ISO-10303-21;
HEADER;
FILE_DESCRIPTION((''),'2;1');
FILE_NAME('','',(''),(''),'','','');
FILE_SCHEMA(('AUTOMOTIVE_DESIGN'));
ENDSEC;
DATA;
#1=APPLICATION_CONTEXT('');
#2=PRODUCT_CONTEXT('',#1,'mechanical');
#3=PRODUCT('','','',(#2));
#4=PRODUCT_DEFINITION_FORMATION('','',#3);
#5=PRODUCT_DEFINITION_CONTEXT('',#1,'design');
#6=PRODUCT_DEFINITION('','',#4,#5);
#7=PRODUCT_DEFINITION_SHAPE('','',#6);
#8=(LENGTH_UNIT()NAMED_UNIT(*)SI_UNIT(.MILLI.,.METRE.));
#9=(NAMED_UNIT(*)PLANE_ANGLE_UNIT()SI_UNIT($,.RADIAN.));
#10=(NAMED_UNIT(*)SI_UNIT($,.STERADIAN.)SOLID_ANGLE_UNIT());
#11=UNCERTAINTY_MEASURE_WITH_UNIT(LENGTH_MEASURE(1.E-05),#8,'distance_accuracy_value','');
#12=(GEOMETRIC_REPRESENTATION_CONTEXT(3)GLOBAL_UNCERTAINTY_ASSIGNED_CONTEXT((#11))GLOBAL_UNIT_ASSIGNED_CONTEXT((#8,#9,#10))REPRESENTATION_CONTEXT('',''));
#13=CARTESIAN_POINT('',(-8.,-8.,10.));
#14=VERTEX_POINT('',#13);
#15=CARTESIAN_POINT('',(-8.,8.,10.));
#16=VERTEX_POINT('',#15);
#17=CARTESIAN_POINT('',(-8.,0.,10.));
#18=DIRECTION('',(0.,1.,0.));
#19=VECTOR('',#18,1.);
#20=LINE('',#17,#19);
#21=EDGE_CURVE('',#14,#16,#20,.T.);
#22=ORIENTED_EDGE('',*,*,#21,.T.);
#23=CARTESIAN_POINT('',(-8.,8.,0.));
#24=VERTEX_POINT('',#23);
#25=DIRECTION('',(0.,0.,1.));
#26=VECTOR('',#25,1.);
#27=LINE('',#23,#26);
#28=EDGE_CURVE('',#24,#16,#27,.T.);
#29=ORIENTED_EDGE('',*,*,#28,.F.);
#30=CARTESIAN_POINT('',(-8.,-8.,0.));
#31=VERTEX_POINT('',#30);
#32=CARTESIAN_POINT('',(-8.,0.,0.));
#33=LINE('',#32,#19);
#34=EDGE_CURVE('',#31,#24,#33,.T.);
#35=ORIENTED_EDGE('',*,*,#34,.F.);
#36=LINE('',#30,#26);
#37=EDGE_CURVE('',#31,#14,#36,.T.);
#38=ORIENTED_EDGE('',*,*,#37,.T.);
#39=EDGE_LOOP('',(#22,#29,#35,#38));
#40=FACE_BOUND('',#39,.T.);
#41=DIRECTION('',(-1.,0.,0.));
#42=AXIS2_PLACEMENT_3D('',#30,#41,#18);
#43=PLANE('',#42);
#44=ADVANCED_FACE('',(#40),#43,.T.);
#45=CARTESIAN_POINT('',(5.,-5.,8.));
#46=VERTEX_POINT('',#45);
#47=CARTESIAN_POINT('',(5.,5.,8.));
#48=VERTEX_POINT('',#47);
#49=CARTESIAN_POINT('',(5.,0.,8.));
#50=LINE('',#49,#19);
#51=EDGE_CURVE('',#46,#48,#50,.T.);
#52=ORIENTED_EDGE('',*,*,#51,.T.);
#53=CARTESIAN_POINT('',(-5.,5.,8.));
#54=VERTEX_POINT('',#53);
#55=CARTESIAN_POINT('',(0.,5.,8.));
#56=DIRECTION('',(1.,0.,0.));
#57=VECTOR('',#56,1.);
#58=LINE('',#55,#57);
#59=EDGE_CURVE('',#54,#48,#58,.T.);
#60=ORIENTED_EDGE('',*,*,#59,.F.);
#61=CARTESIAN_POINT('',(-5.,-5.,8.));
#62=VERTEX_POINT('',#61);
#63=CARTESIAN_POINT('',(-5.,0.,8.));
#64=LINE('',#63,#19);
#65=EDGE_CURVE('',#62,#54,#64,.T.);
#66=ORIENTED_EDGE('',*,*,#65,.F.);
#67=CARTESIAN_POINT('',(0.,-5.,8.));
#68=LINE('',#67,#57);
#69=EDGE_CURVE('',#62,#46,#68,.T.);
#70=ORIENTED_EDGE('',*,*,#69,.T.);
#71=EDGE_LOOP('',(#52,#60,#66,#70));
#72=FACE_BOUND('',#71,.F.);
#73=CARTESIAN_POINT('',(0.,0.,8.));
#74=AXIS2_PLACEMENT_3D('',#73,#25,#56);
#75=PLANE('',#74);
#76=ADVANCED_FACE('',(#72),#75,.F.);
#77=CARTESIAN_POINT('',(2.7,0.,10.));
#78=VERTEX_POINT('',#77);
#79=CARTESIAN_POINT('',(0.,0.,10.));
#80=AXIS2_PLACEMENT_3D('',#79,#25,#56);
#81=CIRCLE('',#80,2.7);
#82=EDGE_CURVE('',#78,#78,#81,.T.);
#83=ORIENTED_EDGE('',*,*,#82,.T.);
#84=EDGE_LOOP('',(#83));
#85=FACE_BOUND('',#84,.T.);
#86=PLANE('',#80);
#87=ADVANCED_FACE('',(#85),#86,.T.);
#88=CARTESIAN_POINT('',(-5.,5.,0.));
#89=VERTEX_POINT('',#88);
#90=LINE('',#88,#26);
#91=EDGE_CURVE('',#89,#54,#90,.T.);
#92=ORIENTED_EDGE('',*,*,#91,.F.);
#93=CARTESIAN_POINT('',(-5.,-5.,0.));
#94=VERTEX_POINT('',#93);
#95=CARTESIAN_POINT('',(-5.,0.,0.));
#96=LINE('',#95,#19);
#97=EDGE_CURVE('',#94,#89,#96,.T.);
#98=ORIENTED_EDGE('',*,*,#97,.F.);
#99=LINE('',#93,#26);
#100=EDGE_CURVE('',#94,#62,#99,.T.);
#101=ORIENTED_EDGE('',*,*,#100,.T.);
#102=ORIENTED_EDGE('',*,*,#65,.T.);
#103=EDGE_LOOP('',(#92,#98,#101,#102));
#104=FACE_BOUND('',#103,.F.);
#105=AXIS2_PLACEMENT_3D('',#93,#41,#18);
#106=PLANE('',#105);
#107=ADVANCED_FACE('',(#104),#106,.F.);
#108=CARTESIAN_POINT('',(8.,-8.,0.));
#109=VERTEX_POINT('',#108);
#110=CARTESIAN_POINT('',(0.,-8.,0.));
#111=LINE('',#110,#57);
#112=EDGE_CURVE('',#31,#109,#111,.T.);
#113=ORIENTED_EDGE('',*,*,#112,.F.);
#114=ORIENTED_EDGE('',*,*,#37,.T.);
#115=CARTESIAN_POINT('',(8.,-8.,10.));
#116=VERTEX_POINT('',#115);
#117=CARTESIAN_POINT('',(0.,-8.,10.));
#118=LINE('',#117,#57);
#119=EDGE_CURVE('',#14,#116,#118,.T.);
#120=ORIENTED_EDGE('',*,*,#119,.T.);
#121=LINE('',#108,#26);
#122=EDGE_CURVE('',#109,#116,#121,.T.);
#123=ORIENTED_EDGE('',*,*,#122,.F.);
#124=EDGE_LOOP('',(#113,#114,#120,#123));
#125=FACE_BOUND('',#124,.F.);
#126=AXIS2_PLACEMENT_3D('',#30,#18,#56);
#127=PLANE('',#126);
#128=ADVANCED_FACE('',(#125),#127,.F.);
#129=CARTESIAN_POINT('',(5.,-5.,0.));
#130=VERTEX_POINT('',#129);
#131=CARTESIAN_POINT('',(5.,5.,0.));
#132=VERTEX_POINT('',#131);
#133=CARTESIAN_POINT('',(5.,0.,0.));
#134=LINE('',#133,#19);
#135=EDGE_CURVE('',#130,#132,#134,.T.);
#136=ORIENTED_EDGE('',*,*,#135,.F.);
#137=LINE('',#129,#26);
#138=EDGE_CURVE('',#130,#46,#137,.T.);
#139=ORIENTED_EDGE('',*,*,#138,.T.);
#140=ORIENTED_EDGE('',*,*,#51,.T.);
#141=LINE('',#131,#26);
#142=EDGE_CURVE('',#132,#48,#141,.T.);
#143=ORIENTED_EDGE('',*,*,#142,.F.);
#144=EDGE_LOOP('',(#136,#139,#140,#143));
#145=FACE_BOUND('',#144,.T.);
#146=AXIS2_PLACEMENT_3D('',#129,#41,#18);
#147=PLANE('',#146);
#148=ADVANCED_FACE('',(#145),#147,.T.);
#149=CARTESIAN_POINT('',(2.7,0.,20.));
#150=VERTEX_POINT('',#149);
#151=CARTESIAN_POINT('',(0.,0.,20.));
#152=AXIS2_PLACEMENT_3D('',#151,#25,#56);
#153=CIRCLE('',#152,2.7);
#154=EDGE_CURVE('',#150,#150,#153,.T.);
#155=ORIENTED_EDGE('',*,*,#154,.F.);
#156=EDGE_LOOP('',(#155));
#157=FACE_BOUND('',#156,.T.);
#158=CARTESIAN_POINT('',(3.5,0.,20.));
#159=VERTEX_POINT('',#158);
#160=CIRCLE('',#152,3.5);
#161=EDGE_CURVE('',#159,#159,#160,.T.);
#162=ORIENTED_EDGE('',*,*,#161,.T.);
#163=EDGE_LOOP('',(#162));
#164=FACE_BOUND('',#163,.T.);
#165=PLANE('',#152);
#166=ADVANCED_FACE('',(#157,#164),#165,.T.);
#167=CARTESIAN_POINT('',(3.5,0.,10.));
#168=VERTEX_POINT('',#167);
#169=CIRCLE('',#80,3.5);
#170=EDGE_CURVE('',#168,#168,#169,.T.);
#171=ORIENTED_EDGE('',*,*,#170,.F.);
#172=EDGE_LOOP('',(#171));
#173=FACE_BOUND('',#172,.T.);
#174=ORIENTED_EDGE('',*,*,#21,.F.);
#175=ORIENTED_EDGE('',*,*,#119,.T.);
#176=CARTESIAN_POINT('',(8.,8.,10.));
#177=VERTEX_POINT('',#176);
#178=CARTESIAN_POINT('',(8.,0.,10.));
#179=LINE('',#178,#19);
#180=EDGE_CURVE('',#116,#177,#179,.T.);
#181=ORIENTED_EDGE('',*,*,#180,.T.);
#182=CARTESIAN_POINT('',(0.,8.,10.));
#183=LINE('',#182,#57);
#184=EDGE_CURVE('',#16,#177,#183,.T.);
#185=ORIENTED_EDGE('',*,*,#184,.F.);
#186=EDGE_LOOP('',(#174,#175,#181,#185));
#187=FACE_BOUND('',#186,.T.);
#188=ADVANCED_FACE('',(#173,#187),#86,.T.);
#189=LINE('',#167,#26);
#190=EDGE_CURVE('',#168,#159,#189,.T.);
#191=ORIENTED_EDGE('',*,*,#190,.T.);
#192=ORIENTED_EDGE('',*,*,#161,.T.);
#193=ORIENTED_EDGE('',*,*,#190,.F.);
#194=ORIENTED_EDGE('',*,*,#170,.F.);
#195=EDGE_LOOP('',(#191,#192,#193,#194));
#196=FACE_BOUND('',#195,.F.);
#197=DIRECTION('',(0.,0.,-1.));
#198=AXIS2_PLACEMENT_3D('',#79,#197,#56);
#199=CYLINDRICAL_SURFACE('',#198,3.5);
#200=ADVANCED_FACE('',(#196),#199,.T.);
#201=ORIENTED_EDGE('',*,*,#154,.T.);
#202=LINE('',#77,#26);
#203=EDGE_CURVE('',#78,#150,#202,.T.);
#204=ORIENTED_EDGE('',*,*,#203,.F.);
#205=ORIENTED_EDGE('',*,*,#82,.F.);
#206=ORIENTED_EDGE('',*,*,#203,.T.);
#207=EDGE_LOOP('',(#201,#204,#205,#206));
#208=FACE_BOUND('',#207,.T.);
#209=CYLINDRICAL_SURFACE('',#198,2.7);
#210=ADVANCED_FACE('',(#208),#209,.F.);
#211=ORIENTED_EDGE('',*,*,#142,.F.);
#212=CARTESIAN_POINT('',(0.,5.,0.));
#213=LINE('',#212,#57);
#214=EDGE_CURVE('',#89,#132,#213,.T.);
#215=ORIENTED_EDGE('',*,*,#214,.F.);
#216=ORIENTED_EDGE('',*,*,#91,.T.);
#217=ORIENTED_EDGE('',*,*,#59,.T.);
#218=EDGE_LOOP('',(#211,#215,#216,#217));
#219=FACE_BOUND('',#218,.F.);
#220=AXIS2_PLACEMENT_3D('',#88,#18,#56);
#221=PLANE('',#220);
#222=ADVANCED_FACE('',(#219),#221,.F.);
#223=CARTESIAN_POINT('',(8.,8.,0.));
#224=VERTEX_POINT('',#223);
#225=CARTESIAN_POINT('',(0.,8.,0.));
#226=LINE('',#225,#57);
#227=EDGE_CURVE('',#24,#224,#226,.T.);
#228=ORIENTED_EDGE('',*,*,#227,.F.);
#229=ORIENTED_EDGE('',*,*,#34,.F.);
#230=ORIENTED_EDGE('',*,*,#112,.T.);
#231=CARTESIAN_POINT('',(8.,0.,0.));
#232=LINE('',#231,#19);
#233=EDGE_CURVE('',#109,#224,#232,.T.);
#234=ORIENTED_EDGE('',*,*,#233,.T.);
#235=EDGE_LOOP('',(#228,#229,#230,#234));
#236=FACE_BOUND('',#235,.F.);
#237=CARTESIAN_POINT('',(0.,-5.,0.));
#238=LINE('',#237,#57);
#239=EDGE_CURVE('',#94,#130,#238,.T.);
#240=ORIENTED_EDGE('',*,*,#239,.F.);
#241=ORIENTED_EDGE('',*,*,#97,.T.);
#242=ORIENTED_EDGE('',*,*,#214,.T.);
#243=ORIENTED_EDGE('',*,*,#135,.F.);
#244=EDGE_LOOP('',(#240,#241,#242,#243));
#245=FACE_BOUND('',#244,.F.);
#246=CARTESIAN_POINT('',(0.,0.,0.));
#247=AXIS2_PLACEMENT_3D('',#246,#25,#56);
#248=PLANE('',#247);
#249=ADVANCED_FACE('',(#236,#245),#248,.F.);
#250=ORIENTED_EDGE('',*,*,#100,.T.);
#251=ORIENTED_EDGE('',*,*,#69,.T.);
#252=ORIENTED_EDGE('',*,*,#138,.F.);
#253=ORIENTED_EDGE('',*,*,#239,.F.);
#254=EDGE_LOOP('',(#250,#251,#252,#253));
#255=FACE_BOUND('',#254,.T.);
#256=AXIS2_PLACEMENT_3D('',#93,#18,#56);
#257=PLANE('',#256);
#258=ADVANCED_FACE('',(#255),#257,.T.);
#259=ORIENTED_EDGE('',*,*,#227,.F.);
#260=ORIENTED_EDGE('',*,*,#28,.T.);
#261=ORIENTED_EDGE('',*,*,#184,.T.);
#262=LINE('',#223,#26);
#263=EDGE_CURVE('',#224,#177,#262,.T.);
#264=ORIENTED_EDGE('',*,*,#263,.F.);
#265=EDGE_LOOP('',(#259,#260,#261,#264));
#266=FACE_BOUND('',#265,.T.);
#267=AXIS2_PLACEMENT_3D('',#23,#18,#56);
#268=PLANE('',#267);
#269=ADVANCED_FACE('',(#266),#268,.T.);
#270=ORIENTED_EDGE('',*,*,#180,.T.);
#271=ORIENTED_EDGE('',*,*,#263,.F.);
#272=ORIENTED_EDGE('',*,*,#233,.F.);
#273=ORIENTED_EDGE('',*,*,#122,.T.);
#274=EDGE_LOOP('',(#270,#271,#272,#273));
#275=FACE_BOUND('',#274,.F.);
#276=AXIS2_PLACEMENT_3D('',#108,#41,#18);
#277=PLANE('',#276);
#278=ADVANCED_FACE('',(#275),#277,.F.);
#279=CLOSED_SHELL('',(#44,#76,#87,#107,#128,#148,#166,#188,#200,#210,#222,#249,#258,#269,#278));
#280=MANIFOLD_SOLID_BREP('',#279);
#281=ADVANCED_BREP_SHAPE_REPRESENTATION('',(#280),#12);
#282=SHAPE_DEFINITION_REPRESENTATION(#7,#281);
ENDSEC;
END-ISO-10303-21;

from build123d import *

# Parameters (mm, degrees)
BOX001_W          = 10
BOX001_H          = 10
BOX001_DEPTH      = 8
CYLINDER_R        = 2.7
CYLINDER_DEPTH    = 10
CYLINDER001_R     = 3.5
CYLINDER001_DEPTH = 10
BOX_W             = 16
BOX_H             = 16
BOX_DEPTH         = 10


with BuildPart() as cube001:
    # Box001 → Box001 (new body)
    with BuildSketch(Plane(origin=(-5, -5, 0), x_dir=(1, 0, 0), z_dir=(0, 0, 1))):
        with Locations((5, 5)):
            Rectangle(BOX001_W, BOX001_H)
    extrude(amount=BOX001_DEPTH)


with BuildPart() as cylinder:
    # Cylinder → Cylinder (new body)
    with BuildSketch(Plane.XY.offset(10)):
        Circle(CYLINDER_R)
    extrude(amount=CYLINDER_DEPTH)


with BuildPart() as cut:
    # Cylinder001 → Cylinder001 (new body)
    with BuildSketch(Plane.XY.offset(10)):
        Circle(CYLINDER001_R)
    extrude(amount=CYLINDER001_DEPTH)

    # Cut: cut Cylinder
    add(cylinder.part, mode=Mode.SUBTRACT)


with BuildPart() as cut001:
    # Box → Box (new body)
    with BuildSketch(Plane(origin=(-8, -8, 0), x_dir=(1, 0, 0), z_dir=(0, 0, 1))):
        with Locations((8, 8)):
            Rectangle(BOX_W, BOX_H)
    extrude(amount=BOX_DEPTH)

    # Fusion: union Cut
    add(cut.part)

    # Cut001: cut Cube001
    add(cube001.part, mode=Mode.SUBTRACT)


solid = cut001.part
